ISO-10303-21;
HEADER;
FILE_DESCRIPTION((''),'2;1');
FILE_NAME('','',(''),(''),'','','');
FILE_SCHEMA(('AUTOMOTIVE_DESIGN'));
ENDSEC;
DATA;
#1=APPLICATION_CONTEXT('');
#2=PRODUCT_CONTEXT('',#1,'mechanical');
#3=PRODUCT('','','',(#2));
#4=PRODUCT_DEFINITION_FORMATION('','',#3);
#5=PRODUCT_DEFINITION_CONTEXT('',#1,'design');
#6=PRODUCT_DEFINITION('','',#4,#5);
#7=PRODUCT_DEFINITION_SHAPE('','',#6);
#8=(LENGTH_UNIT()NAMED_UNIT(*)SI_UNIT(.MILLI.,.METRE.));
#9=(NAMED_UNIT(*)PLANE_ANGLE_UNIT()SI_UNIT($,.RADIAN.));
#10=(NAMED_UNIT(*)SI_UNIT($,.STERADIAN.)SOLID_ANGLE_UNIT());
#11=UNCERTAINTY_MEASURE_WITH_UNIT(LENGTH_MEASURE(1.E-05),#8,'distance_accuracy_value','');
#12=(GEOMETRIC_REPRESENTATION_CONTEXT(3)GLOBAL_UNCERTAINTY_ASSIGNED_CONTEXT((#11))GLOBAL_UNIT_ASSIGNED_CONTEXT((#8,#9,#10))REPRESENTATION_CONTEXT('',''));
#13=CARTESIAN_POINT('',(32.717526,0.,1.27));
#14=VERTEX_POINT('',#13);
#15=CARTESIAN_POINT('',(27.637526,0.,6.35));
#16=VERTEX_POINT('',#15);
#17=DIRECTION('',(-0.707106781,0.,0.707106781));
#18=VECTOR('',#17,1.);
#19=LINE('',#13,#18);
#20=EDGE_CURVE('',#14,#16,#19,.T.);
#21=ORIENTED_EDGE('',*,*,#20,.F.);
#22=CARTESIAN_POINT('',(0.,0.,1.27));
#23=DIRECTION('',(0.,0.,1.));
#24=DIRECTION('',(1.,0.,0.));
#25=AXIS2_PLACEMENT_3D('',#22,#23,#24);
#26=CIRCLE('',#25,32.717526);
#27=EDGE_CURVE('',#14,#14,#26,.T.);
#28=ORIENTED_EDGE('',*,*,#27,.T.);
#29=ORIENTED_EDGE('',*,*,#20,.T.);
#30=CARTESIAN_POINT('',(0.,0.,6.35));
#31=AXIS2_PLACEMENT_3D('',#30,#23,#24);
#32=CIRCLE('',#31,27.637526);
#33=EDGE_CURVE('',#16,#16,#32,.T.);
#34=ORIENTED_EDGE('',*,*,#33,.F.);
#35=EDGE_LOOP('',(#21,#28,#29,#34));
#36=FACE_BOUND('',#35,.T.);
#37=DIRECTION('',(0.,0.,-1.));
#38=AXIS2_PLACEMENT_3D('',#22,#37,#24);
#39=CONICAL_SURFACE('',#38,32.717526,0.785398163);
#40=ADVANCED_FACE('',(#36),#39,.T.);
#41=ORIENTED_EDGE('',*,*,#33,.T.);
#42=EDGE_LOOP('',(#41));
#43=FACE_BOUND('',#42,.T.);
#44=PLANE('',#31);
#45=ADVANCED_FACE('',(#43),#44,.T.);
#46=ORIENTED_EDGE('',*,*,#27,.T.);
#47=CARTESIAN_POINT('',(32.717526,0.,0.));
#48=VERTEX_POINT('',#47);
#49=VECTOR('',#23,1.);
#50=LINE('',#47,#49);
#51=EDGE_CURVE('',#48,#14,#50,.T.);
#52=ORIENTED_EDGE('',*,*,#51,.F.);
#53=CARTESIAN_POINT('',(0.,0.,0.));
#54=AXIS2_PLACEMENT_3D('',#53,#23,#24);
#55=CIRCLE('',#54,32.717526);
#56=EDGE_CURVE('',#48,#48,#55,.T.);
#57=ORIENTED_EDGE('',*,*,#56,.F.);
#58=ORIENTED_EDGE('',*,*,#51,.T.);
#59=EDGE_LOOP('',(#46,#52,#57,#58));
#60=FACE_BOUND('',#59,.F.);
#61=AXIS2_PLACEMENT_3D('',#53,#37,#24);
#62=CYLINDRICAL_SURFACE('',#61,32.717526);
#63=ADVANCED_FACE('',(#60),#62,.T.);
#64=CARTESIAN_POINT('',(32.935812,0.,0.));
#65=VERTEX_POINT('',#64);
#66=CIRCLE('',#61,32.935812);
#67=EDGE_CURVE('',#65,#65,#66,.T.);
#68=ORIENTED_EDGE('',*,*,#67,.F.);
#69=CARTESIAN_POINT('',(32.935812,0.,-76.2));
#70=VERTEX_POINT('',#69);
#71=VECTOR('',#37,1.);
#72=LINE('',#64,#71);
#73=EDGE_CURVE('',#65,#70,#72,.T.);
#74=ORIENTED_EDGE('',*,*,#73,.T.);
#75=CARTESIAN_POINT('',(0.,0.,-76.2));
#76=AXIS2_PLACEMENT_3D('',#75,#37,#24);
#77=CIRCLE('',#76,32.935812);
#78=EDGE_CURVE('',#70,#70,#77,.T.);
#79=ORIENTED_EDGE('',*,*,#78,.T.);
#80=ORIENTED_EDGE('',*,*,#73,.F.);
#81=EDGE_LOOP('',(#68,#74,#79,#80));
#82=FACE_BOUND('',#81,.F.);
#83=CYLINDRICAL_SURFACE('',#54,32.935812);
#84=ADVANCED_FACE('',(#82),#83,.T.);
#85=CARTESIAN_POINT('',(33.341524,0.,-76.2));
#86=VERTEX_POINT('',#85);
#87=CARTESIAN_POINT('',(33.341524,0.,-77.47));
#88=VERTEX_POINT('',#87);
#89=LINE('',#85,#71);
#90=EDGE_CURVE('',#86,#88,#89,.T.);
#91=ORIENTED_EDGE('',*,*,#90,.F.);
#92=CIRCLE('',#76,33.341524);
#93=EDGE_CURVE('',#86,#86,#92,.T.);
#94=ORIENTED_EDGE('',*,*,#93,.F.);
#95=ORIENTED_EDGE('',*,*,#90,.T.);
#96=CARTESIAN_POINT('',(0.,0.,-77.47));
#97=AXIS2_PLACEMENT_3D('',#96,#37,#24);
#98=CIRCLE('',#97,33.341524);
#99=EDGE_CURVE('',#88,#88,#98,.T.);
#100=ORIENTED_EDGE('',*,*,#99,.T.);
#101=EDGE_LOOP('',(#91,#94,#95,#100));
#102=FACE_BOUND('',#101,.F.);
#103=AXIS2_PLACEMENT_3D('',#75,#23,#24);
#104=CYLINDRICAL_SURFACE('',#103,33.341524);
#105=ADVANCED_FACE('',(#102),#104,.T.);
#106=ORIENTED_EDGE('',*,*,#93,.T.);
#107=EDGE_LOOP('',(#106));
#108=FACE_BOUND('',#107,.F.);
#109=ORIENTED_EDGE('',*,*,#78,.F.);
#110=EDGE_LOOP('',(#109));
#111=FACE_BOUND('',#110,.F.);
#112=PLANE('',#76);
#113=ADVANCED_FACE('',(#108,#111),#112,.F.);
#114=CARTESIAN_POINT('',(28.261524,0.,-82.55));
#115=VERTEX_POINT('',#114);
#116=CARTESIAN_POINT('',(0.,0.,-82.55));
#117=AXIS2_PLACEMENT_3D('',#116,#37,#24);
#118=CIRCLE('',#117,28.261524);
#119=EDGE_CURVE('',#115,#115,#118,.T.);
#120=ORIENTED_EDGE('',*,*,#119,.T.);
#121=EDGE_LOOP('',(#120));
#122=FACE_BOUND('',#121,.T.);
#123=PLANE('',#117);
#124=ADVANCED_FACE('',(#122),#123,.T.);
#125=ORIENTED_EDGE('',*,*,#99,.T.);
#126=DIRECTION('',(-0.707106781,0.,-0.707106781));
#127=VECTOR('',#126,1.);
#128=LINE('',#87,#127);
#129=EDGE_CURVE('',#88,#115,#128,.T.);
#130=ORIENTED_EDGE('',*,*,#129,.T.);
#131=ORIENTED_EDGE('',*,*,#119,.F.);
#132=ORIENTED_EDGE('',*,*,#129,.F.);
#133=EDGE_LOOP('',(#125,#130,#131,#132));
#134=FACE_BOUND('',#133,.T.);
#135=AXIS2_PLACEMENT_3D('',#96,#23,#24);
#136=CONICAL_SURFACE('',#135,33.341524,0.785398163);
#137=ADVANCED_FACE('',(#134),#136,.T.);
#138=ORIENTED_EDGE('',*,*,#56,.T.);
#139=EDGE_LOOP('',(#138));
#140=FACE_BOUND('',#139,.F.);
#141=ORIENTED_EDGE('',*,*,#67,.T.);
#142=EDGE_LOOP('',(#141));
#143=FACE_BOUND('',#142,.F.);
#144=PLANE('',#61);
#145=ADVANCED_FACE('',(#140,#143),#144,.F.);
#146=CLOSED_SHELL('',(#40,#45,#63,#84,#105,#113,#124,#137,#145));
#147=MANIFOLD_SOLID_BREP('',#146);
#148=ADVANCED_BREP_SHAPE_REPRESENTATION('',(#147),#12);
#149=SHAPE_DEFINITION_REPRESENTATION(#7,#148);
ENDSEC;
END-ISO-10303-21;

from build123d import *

# Parameters (mm, degrees)
F0_R     = 32.717526
F1_DEPTH = 6.35
F2_SIZE  = 5.08
F3_R     = 32.935812
F4_DEPTH = 76.2
F5_R     = 33.341524
F6_DEPTH = 6.35
F7_SIZE  = 5.08


with BuildPart() as f1:
    # F0 (on Top) → F1 (new body)
    with BuildSketch(Plane.XY):
        Circle(F0_R)
    extrude(amount=F1_DEPTH)

    # F2
    f2_edges = [f1.edges().sort_by_distance(p)[0] for p in [
        (-32.717526, 0, 6.35),
    ]]
    chamfer(f2_edges, length=F2_SIZE)

    # F3 (on face) → F4 (join)
    with BuildSketch(Plane(origin=(0, 0, 0), x_dir=(1, 0, 0), z_dir=(0, 0, -1))):
        Circle(F3_R)
    extrude(amount=F4_DEPTH)

    # F5 (on face) → F6 (join)
    with BuildSketch(Plane(origin=(0, 0, -76.2), x_dir=(1, 0, 0), z_dir=(0, 0, -1))):
        Circle(F5_R)
    extrude(amount=F6_DEPTH)

    # F7
    f7_edges = [f1.edges().sort_by_distance(p)[0] for p in [
        (-33.341524, 0, -82.55),
    ]]
    chamfer(f7_edges, length=F7_SIZE)


solid = f1.part
